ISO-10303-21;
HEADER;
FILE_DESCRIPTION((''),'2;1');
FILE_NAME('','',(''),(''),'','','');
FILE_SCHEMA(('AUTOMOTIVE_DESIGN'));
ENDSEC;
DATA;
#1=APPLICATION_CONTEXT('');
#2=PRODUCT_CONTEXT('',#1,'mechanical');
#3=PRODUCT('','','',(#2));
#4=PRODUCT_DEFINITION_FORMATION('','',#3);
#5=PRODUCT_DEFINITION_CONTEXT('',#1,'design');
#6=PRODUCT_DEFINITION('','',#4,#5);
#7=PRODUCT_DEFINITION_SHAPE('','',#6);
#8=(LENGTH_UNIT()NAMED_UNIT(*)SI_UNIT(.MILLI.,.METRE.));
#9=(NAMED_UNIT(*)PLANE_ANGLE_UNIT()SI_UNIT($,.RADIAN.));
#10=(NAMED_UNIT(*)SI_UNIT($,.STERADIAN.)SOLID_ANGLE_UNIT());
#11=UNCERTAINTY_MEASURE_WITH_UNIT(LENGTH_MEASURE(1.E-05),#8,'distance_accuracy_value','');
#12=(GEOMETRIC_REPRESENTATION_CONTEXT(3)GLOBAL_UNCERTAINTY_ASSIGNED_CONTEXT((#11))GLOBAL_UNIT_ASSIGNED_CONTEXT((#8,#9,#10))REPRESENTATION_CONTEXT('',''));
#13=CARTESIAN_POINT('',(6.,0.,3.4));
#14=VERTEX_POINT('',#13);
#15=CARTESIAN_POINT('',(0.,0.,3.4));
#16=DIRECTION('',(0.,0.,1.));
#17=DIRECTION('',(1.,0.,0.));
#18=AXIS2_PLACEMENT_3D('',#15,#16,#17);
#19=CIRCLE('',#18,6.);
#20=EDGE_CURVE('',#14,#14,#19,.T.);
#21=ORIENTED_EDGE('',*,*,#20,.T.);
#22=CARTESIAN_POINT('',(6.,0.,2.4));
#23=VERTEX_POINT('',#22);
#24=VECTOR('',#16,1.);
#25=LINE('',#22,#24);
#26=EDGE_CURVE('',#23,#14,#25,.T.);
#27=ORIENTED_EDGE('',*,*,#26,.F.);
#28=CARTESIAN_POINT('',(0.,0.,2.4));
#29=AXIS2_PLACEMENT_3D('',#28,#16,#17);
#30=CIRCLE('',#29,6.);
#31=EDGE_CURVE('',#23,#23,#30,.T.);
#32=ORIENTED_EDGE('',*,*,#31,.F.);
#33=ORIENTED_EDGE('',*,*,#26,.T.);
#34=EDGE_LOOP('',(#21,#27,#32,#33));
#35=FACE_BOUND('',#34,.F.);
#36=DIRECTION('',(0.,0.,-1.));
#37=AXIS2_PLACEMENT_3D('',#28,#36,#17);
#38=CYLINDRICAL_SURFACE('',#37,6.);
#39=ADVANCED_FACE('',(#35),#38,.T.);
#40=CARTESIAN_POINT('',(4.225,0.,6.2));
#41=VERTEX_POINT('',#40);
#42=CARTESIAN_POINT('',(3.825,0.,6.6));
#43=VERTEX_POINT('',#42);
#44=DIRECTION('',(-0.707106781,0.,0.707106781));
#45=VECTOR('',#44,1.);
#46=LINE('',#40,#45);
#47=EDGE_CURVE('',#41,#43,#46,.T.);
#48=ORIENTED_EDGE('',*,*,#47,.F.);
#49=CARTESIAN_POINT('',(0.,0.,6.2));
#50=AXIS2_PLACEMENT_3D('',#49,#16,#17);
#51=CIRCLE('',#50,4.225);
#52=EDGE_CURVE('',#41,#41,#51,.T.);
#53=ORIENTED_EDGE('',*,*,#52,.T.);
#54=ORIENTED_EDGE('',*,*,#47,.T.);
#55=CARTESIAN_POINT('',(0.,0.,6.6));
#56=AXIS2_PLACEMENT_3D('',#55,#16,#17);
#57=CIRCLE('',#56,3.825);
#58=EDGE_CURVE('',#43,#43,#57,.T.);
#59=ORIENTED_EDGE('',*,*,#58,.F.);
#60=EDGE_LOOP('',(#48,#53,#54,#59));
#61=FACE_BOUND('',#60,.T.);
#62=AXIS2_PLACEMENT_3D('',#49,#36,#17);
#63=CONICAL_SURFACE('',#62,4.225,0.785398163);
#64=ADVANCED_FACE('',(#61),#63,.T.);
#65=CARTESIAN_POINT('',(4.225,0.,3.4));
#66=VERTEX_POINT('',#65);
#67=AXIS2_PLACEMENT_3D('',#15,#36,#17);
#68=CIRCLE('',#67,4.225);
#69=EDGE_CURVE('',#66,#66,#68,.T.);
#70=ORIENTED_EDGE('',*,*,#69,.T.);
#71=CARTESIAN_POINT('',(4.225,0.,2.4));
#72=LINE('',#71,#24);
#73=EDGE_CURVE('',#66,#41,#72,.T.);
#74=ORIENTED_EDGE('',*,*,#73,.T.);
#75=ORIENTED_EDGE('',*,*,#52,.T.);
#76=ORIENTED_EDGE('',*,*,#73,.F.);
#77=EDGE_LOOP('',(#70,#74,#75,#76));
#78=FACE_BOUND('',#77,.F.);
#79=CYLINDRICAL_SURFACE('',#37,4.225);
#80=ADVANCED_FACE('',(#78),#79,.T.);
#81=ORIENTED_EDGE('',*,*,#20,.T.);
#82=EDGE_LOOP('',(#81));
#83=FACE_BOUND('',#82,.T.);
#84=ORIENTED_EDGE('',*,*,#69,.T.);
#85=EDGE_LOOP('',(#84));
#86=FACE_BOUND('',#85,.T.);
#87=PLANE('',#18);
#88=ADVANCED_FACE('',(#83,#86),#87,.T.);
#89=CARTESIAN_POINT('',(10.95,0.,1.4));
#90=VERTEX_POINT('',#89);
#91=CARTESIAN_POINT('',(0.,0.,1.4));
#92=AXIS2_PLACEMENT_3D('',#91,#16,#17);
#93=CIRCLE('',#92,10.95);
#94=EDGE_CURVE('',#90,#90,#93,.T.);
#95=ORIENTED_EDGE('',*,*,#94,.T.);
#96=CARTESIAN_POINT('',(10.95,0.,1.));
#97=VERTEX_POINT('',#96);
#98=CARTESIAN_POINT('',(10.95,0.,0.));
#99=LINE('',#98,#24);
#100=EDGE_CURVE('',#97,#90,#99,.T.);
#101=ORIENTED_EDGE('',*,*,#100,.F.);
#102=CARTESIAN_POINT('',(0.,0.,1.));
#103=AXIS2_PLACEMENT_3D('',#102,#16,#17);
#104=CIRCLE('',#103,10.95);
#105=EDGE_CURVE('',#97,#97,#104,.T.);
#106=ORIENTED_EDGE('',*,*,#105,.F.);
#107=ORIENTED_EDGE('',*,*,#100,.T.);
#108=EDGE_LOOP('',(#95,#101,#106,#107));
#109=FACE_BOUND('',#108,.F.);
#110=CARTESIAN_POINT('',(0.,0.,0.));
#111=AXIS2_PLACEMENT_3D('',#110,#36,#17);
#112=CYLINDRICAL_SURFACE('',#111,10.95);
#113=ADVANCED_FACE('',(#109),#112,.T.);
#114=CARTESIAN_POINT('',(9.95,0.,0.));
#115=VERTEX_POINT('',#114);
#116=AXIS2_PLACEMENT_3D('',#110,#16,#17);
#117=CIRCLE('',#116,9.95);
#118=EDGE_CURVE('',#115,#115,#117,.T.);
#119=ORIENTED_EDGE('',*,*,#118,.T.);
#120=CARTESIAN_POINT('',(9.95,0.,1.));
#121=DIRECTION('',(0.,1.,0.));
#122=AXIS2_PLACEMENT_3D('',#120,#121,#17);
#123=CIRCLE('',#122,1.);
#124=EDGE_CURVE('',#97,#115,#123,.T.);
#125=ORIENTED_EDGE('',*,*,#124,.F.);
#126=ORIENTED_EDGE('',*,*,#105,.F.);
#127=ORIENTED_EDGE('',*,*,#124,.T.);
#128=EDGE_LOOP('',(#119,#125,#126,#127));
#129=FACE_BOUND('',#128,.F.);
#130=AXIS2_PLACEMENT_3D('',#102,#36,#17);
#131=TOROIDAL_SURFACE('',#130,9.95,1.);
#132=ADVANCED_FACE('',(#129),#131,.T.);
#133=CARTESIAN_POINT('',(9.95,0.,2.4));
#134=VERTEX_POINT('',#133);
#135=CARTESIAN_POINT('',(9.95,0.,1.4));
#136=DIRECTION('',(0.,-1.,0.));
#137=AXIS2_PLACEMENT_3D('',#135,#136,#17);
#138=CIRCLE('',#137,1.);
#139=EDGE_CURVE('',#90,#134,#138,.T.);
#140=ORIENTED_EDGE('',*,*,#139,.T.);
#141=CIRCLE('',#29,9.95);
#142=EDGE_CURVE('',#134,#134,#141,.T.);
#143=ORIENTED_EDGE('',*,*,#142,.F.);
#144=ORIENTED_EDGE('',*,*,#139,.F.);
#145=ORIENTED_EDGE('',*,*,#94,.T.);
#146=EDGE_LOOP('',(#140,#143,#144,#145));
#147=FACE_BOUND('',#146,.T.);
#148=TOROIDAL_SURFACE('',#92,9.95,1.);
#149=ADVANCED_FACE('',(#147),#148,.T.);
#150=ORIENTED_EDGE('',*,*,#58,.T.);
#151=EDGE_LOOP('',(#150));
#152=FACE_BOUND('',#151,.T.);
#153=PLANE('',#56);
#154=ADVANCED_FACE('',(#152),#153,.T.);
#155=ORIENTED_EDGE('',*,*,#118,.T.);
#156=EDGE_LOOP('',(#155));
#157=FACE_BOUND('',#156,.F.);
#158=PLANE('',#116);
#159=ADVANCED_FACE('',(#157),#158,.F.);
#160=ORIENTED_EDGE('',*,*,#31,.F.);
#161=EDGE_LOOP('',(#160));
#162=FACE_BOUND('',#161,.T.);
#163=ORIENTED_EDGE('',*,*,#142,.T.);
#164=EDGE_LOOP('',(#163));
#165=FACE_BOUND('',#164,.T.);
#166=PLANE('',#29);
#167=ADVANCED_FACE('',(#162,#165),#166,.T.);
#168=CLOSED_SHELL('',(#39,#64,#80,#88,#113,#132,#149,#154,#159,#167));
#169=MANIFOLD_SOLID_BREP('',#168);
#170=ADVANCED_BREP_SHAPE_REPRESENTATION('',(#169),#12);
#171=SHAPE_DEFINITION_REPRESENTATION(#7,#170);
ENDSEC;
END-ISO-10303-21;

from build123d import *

# Parameters (mm, degrees)
F0_R     = 10.95
F1_DEPTH = 2.4
F2_R     = 4.225
F3_DEPTH = 4.2
F4_R     = 1
F5_R     = 6
F6_DEPTH = 1
F7_R     = 1
F8_SIZE  = 0.4


with BuildPart() as f1:
    # F0 (on Top) → F1 (new body)
    with BuildSketch(Plane.XY):
        Circle(F0_R)
    extrude(amount=F1_DEPTH)

    # F2 (on face) → F3 (join)
    with BuildSketch(Plane.XY.offset(2.4)):
        Circle(F2_R)
    extrude(amount=F3_DEPTH)

    # F4
    f4_edges = [f1.edges().sort_by_distance(p)[0] for p in [
        (-10.95, 0, 2.4),
    ]]
    fillet(f4_edges, radius=F4_R)

    # F5 (on face) → F6 (join)
    with BuildSketch(Plane.XY.offset(2.4)):
        Circle(F5_R)
    extrude(amount=F6_DEPTH)

    # F7
    f7_edges = [f1.edges().sort_by_distance(p)[0] for p in [
        (-10.95, 0, 0),
    ]]
    fillet(f7_edges, radius=F7_R)

    # F8
    f8_edges = [f1.edges().sort_by_distance(p)[0] for p in [
        (-4.225, 0, 6.6),
    ]]
    chamfer(f8_edges, length=F8_SIZE)


solid = f1.part
